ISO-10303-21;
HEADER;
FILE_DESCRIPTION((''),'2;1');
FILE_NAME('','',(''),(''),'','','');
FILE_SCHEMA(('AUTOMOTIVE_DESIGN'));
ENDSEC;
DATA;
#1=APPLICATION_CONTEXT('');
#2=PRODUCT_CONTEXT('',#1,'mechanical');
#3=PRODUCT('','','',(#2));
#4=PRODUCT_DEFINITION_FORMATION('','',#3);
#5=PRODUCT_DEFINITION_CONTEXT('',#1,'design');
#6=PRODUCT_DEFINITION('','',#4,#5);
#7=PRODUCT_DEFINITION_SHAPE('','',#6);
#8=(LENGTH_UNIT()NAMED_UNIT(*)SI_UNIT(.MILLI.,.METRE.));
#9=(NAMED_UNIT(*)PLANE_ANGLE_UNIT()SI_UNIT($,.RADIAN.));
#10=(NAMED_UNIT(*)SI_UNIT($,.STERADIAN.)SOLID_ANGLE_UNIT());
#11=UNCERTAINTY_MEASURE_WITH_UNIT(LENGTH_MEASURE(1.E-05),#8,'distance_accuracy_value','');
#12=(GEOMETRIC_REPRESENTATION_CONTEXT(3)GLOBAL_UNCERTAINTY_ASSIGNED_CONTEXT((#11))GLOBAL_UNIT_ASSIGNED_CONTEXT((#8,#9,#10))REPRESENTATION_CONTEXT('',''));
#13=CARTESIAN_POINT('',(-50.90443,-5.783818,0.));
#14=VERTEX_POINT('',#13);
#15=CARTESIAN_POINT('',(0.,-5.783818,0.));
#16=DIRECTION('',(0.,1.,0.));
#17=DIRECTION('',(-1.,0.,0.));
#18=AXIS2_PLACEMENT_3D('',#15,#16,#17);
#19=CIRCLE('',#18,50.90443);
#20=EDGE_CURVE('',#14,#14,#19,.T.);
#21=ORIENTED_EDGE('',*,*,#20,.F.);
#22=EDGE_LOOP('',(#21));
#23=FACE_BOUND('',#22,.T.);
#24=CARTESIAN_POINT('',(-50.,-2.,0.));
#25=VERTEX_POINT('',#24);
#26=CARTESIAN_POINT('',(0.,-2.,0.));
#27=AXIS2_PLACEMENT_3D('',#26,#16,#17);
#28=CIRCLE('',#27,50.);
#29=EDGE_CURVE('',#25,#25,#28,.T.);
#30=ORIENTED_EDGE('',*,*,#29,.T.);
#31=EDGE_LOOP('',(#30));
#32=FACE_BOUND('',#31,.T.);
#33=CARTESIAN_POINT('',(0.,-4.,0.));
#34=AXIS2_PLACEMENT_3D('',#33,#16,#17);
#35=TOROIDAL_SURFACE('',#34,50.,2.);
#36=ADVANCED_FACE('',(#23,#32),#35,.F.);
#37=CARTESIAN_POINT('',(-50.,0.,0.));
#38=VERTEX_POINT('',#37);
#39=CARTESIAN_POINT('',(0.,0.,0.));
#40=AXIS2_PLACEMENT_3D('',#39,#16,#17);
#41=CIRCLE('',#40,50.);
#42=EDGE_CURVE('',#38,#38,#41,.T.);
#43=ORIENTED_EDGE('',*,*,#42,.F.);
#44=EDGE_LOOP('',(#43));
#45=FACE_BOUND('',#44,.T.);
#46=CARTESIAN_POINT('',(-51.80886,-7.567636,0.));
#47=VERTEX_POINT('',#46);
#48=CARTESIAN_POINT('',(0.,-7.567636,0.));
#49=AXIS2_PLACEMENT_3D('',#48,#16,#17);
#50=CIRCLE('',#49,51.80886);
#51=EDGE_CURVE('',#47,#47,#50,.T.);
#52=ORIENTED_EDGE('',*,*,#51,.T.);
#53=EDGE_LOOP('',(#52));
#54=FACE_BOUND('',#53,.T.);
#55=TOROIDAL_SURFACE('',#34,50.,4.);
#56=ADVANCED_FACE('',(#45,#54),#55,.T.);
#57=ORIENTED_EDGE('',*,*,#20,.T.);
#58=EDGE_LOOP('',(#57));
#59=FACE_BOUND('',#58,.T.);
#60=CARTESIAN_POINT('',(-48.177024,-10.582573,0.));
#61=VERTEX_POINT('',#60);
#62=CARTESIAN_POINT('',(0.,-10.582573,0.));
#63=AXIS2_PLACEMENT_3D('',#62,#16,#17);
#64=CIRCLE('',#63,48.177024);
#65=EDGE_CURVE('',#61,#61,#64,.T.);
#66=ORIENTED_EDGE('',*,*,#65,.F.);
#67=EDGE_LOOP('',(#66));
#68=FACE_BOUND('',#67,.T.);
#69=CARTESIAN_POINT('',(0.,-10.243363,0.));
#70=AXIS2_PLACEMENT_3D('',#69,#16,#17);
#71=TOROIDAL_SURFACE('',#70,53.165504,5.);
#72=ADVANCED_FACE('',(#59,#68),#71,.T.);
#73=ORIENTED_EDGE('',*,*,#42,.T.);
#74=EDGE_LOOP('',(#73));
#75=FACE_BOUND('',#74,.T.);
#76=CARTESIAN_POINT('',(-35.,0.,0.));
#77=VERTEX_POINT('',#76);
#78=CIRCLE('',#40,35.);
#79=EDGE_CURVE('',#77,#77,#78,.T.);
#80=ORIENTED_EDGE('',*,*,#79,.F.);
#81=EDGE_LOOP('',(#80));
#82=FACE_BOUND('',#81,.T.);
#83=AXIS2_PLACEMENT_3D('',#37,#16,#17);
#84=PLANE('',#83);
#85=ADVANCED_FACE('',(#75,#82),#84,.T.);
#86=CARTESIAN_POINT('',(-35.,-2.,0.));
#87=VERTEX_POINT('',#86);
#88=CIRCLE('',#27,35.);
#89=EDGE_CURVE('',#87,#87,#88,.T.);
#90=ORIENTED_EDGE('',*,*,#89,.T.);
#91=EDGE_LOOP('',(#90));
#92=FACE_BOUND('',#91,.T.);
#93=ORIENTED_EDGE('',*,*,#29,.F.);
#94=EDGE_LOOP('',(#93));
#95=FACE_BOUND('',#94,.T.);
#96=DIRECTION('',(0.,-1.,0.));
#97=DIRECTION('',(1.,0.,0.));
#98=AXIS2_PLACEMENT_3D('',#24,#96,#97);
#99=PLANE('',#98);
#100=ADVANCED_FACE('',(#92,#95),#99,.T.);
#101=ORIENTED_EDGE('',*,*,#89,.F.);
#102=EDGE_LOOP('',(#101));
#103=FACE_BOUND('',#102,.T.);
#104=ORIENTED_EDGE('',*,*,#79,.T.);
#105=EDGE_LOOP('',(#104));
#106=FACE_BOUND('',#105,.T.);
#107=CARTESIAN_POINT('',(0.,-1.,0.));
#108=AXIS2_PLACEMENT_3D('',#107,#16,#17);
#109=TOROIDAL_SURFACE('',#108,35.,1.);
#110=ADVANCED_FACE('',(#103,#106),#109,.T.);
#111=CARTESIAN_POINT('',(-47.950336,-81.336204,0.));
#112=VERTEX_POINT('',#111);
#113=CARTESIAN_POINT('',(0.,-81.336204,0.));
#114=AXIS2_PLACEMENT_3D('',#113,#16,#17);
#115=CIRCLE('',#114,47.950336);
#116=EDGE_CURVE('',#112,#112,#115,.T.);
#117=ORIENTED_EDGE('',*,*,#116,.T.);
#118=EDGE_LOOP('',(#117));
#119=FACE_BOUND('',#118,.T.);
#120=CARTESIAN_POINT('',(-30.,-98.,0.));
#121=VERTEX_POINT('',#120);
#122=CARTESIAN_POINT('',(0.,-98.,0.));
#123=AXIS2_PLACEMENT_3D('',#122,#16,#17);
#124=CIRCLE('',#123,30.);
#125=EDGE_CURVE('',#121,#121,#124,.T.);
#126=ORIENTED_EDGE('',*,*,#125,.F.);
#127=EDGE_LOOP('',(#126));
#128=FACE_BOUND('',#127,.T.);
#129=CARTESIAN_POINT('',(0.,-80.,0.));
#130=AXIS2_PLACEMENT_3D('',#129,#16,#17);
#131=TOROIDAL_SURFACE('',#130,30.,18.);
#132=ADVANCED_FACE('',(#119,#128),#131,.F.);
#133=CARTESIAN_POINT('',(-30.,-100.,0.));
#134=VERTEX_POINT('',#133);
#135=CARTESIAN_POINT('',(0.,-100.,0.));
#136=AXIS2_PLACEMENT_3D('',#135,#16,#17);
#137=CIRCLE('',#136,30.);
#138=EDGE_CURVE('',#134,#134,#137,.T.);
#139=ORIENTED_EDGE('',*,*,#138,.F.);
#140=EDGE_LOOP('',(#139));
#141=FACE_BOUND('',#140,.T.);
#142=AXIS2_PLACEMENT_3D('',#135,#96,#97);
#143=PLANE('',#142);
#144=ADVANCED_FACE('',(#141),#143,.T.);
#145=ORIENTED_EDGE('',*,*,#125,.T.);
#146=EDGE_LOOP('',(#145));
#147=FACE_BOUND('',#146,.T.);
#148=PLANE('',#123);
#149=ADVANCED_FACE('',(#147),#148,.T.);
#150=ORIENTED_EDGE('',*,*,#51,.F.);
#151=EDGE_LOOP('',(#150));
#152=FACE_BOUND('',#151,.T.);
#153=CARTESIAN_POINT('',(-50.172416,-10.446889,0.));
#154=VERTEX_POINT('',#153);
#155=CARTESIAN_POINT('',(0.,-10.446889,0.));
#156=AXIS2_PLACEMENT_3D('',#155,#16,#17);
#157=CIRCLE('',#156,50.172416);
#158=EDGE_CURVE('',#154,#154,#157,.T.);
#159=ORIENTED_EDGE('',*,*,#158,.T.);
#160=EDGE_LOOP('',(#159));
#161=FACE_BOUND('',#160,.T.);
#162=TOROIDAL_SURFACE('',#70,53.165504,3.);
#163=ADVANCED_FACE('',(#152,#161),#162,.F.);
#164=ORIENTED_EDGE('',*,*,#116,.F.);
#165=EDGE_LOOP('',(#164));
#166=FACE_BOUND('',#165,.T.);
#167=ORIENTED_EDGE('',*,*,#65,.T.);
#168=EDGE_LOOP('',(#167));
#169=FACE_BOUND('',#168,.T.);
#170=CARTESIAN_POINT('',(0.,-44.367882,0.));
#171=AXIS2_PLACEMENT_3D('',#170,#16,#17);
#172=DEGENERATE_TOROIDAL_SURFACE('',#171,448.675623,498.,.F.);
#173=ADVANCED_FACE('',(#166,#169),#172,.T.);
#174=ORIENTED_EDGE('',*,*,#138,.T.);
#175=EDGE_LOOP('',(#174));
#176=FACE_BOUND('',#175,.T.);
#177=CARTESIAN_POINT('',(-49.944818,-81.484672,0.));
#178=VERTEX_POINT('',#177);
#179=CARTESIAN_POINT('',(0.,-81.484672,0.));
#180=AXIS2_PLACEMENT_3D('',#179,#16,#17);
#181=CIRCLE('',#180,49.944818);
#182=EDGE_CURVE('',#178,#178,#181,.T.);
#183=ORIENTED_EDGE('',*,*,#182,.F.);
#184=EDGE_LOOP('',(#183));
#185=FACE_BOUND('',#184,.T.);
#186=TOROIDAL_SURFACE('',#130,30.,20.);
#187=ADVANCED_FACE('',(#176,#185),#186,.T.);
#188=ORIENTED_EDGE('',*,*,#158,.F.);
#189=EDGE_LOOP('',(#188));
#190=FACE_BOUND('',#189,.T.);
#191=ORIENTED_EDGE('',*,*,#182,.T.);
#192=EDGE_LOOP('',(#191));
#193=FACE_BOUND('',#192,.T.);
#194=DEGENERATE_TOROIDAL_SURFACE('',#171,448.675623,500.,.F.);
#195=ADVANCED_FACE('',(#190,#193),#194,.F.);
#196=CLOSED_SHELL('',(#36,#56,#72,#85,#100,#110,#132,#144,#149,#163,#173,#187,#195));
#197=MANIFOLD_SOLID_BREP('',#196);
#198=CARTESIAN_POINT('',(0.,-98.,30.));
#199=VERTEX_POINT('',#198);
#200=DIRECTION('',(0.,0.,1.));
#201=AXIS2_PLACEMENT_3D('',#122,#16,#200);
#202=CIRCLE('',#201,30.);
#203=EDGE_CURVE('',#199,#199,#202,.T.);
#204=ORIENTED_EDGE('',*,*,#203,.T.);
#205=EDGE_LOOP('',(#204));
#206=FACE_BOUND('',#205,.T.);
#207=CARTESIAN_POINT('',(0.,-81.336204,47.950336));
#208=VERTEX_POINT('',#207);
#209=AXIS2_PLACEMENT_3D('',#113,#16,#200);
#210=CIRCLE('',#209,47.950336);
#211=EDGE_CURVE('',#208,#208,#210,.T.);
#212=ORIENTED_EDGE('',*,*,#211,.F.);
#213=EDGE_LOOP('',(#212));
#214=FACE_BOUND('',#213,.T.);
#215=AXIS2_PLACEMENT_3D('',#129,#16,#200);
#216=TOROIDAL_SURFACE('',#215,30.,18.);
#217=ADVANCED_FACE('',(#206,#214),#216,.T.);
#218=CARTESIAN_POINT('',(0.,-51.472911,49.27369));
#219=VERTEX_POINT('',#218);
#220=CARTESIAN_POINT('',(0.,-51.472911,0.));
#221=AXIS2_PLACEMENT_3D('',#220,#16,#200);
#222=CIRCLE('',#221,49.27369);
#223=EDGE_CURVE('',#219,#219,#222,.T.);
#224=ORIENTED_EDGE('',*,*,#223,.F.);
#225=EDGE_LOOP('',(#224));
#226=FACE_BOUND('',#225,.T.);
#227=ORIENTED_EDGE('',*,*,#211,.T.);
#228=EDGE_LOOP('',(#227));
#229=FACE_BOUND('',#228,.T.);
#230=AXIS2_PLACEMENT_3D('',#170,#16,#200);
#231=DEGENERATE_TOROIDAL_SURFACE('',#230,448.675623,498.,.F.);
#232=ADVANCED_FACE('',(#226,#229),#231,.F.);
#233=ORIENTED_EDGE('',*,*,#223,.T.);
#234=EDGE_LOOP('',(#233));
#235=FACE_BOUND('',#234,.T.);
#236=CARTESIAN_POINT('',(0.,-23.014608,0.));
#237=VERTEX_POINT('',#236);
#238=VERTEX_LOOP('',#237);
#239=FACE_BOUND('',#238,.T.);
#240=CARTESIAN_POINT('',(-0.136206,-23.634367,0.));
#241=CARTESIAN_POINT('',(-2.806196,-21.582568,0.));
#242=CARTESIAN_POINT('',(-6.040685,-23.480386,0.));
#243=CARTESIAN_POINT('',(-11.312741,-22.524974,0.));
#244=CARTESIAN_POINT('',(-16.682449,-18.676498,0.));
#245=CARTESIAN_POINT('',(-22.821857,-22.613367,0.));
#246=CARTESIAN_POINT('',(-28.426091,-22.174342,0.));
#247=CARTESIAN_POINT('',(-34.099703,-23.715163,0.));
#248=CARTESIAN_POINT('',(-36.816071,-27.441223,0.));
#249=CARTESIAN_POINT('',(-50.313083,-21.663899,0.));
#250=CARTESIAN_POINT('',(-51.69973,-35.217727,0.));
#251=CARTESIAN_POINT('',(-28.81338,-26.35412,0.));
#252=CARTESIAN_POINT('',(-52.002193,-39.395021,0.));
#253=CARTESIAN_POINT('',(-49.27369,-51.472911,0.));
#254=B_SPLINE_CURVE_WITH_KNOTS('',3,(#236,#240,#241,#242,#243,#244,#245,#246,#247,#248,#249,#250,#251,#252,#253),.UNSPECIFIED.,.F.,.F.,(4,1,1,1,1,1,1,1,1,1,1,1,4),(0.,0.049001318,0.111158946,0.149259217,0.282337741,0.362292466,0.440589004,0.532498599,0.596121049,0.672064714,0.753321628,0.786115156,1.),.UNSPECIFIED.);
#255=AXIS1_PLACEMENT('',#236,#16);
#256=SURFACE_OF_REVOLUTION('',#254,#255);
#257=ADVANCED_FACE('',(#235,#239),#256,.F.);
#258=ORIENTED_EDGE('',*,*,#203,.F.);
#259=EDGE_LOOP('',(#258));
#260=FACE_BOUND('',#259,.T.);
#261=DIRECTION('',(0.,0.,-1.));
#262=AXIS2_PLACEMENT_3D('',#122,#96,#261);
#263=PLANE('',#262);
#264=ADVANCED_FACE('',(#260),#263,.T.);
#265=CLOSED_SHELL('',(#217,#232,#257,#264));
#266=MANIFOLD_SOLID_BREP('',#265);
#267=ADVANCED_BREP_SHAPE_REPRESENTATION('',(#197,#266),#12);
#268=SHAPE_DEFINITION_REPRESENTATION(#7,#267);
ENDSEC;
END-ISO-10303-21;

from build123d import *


with BuildPart() as part:
    # Çizim1 → Döndür1 (revolve)
    with BuildSketch(Plane.XY):
        with BuildLine():
            Line((0, -100), (-30, -100))
            ThreePointArc((-30, -100), (-43.607104187, -94.657650413), (-49.944817631, -81.484671564))
            ThreePointArc((-49.944817631, -81.484671564), (-51.321810614, -45.969827462), (-50.172416041, -10.446889051))
            ThreePointArc((-50.172416041, -10.446889051), (-50.557330856, -8.760989517), (-51.808859586, -7.567636052))
            ThreePointArc((-51.808859586, -7.567636052), (-53.890407704, -3.070092533), (-50, 0))
            Line((-50, 0), (-35, 0))
            ThreePointArc((-35, 0), (-34, -1), (-35, -2))
            Line((-35, -2), (-50, -2))
            ThreePointArc((-50, -2), (-51.945203852, -3.535046267), (-50.904429793, -5.783818026))
            ThreePointArc((-50.904429793, -5.783818026), (-48.818548577, -7.772740467), (-48.177023884, -10.582573024))
            ThreePointArc((-48.177023884, -10.582573024), (-49.321820879, -45.963419682), (-47.950335868, -81.336204408))
            ThreePointArc((-47.950335868, -81.336204408), (-42.246393768, -93.191885372), (-30, -98))
            Line((-30, -98), (0, -98))
            Line((0, -98), (0, -100))
        make_face()
    revolve(axis=Axis((0, 0, 0), (0, -1, 0)))


with BuildPart() as body_2:
    # Çizim2 → Döndür2 (revolve)
    with BuildSketch(Plane.XY, mode=Mode.PRIVATE) as d_nd_r2_sk:
        with BuildLine():
            Line((0, -23.014608353), (0, -98))
            Line((0, -98), (-30, -98))
            ThreePointArc((-30, -98), (-42.246393768, -93.191885372), (-47.950335868, -81.336204408))
            ThreePointArc((-47.950335868, -81.336204408), (-48.836132622, -66.414489157), (-49.273690105, -51.472910747))
            add(Edge.make_bspline(
                [(-49.273690105, -51.472910747), (-52.002193469, -39.395021193), (-28.81337953, -26.3541201), (-51.699729812, -35.217727255), (-50.313083213, -21.663899187), (-36.816071025, -27.441223093), (-34.099702866, -23.715162924), (-28.426091093, -22.174341567), (-22.821856988, -22.613366752), (-16.682449271, -18.676498172), (-11.312741088, -22.524974321), (-6.04068484, -23.480386073), (-2.806195913, -21.582568498), (-0.136205946, -23.634367026), (0, -23.014608353)],
                knots=[0, 0, 0, 0, 0.213884844, 0.246678372, 0.327935286, 0.403878951, 0.467501401, 0.559410996, 0.637707534, 0.717662259, 0.850740783, 0.888841054, 0.950998682, 1, 1, 1, 1], degree=3))
        make_face()
    revolve(d_nd_r2_sk.sketch.rotate(Axis((0, -23.014608353, 0), (0, -1, 0)), 270), axis=Axis((0, -23.014608353, 0), (0, -1, 0)))


solid = Compound([part.part, body_2.part])
